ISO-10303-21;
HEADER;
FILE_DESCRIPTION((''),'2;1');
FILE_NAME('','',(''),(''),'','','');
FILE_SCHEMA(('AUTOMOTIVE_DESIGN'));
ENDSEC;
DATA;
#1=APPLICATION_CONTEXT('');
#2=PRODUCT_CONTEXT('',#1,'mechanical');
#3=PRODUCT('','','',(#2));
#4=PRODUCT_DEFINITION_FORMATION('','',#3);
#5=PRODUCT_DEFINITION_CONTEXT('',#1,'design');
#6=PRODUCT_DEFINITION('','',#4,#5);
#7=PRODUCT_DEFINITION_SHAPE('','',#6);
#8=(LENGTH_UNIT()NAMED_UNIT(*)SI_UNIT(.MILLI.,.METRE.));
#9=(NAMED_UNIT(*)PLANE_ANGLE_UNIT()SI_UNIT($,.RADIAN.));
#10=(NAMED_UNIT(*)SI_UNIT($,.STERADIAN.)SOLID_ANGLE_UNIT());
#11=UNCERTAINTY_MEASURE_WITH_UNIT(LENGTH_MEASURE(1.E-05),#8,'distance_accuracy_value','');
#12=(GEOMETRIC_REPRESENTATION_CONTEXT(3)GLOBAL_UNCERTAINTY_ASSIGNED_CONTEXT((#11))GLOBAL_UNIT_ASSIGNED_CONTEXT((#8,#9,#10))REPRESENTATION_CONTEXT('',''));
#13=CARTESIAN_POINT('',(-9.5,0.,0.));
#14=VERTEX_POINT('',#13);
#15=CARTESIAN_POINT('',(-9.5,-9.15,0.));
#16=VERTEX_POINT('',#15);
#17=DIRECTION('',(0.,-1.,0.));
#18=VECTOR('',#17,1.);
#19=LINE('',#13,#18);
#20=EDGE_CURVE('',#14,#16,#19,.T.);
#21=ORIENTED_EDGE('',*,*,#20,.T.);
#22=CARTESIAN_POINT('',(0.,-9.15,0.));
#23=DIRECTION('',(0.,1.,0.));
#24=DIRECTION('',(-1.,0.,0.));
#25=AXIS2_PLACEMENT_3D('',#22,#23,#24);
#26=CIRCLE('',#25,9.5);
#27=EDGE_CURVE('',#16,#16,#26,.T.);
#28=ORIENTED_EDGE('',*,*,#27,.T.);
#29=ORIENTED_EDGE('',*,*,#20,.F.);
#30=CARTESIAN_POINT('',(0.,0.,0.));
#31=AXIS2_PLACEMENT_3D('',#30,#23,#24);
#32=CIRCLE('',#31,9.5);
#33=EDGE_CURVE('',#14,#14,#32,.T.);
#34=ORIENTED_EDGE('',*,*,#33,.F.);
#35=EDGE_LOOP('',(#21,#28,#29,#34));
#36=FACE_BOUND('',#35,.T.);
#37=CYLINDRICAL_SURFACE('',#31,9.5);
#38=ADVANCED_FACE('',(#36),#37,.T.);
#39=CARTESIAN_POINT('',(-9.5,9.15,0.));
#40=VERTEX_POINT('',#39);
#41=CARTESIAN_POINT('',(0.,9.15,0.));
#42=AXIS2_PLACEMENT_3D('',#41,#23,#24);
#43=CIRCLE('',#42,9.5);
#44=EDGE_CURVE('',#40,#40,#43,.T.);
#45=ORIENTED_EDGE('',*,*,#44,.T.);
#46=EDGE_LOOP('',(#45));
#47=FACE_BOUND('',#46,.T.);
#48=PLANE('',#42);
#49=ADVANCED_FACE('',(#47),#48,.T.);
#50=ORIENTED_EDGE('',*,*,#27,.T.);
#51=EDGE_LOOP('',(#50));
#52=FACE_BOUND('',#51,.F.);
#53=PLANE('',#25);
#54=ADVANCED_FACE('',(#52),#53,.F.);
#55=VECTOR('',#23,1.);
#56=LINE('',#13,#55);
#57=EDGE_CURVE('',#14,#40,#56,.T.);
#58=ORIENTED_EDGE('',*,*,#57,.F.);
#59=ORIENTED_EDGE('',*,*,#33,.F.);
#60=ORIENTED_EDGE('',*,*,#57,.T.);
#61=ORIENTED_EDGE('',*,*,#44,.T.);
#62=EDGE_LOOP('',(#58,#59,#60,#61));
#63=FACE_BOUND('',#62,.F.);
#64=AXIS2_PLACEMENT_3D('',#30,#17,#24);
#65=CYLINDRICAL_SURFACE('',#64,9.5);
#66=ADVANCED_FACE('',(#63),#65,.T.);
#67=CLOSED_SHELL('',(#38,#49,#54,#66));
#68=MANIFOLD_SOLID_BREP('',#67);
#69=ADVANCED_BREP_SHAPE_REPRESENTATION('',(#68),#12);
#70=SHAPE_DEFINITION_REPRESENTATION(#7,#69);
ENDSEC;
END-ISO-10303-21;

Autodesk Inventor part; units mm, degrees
ref_plane "YZ Plane" through (0, 0, 0) normal (1, 0, 0) x (0, 1, 0)
ref_plane "XZ Plane" through (0, 0, 0) normal (0, 1, 0) x (-1, 0, 0)
ref_plane "XY Plane" through (0, 0, 0) normal (0, 0, 1) x (1, 0, 0)
sketch "Sketch1" plane through (0, 0, 0) normal (0, 1, 0) x (-1, 0, 0)
  circle A0 centre (0, 0) radius 9.5
  dimension "d0" = 19
extrude "Extrusion1" add sketch "Sketch1" along normal mid plane 18.3
properties part number "Disk_Small_All" material "Paper"
